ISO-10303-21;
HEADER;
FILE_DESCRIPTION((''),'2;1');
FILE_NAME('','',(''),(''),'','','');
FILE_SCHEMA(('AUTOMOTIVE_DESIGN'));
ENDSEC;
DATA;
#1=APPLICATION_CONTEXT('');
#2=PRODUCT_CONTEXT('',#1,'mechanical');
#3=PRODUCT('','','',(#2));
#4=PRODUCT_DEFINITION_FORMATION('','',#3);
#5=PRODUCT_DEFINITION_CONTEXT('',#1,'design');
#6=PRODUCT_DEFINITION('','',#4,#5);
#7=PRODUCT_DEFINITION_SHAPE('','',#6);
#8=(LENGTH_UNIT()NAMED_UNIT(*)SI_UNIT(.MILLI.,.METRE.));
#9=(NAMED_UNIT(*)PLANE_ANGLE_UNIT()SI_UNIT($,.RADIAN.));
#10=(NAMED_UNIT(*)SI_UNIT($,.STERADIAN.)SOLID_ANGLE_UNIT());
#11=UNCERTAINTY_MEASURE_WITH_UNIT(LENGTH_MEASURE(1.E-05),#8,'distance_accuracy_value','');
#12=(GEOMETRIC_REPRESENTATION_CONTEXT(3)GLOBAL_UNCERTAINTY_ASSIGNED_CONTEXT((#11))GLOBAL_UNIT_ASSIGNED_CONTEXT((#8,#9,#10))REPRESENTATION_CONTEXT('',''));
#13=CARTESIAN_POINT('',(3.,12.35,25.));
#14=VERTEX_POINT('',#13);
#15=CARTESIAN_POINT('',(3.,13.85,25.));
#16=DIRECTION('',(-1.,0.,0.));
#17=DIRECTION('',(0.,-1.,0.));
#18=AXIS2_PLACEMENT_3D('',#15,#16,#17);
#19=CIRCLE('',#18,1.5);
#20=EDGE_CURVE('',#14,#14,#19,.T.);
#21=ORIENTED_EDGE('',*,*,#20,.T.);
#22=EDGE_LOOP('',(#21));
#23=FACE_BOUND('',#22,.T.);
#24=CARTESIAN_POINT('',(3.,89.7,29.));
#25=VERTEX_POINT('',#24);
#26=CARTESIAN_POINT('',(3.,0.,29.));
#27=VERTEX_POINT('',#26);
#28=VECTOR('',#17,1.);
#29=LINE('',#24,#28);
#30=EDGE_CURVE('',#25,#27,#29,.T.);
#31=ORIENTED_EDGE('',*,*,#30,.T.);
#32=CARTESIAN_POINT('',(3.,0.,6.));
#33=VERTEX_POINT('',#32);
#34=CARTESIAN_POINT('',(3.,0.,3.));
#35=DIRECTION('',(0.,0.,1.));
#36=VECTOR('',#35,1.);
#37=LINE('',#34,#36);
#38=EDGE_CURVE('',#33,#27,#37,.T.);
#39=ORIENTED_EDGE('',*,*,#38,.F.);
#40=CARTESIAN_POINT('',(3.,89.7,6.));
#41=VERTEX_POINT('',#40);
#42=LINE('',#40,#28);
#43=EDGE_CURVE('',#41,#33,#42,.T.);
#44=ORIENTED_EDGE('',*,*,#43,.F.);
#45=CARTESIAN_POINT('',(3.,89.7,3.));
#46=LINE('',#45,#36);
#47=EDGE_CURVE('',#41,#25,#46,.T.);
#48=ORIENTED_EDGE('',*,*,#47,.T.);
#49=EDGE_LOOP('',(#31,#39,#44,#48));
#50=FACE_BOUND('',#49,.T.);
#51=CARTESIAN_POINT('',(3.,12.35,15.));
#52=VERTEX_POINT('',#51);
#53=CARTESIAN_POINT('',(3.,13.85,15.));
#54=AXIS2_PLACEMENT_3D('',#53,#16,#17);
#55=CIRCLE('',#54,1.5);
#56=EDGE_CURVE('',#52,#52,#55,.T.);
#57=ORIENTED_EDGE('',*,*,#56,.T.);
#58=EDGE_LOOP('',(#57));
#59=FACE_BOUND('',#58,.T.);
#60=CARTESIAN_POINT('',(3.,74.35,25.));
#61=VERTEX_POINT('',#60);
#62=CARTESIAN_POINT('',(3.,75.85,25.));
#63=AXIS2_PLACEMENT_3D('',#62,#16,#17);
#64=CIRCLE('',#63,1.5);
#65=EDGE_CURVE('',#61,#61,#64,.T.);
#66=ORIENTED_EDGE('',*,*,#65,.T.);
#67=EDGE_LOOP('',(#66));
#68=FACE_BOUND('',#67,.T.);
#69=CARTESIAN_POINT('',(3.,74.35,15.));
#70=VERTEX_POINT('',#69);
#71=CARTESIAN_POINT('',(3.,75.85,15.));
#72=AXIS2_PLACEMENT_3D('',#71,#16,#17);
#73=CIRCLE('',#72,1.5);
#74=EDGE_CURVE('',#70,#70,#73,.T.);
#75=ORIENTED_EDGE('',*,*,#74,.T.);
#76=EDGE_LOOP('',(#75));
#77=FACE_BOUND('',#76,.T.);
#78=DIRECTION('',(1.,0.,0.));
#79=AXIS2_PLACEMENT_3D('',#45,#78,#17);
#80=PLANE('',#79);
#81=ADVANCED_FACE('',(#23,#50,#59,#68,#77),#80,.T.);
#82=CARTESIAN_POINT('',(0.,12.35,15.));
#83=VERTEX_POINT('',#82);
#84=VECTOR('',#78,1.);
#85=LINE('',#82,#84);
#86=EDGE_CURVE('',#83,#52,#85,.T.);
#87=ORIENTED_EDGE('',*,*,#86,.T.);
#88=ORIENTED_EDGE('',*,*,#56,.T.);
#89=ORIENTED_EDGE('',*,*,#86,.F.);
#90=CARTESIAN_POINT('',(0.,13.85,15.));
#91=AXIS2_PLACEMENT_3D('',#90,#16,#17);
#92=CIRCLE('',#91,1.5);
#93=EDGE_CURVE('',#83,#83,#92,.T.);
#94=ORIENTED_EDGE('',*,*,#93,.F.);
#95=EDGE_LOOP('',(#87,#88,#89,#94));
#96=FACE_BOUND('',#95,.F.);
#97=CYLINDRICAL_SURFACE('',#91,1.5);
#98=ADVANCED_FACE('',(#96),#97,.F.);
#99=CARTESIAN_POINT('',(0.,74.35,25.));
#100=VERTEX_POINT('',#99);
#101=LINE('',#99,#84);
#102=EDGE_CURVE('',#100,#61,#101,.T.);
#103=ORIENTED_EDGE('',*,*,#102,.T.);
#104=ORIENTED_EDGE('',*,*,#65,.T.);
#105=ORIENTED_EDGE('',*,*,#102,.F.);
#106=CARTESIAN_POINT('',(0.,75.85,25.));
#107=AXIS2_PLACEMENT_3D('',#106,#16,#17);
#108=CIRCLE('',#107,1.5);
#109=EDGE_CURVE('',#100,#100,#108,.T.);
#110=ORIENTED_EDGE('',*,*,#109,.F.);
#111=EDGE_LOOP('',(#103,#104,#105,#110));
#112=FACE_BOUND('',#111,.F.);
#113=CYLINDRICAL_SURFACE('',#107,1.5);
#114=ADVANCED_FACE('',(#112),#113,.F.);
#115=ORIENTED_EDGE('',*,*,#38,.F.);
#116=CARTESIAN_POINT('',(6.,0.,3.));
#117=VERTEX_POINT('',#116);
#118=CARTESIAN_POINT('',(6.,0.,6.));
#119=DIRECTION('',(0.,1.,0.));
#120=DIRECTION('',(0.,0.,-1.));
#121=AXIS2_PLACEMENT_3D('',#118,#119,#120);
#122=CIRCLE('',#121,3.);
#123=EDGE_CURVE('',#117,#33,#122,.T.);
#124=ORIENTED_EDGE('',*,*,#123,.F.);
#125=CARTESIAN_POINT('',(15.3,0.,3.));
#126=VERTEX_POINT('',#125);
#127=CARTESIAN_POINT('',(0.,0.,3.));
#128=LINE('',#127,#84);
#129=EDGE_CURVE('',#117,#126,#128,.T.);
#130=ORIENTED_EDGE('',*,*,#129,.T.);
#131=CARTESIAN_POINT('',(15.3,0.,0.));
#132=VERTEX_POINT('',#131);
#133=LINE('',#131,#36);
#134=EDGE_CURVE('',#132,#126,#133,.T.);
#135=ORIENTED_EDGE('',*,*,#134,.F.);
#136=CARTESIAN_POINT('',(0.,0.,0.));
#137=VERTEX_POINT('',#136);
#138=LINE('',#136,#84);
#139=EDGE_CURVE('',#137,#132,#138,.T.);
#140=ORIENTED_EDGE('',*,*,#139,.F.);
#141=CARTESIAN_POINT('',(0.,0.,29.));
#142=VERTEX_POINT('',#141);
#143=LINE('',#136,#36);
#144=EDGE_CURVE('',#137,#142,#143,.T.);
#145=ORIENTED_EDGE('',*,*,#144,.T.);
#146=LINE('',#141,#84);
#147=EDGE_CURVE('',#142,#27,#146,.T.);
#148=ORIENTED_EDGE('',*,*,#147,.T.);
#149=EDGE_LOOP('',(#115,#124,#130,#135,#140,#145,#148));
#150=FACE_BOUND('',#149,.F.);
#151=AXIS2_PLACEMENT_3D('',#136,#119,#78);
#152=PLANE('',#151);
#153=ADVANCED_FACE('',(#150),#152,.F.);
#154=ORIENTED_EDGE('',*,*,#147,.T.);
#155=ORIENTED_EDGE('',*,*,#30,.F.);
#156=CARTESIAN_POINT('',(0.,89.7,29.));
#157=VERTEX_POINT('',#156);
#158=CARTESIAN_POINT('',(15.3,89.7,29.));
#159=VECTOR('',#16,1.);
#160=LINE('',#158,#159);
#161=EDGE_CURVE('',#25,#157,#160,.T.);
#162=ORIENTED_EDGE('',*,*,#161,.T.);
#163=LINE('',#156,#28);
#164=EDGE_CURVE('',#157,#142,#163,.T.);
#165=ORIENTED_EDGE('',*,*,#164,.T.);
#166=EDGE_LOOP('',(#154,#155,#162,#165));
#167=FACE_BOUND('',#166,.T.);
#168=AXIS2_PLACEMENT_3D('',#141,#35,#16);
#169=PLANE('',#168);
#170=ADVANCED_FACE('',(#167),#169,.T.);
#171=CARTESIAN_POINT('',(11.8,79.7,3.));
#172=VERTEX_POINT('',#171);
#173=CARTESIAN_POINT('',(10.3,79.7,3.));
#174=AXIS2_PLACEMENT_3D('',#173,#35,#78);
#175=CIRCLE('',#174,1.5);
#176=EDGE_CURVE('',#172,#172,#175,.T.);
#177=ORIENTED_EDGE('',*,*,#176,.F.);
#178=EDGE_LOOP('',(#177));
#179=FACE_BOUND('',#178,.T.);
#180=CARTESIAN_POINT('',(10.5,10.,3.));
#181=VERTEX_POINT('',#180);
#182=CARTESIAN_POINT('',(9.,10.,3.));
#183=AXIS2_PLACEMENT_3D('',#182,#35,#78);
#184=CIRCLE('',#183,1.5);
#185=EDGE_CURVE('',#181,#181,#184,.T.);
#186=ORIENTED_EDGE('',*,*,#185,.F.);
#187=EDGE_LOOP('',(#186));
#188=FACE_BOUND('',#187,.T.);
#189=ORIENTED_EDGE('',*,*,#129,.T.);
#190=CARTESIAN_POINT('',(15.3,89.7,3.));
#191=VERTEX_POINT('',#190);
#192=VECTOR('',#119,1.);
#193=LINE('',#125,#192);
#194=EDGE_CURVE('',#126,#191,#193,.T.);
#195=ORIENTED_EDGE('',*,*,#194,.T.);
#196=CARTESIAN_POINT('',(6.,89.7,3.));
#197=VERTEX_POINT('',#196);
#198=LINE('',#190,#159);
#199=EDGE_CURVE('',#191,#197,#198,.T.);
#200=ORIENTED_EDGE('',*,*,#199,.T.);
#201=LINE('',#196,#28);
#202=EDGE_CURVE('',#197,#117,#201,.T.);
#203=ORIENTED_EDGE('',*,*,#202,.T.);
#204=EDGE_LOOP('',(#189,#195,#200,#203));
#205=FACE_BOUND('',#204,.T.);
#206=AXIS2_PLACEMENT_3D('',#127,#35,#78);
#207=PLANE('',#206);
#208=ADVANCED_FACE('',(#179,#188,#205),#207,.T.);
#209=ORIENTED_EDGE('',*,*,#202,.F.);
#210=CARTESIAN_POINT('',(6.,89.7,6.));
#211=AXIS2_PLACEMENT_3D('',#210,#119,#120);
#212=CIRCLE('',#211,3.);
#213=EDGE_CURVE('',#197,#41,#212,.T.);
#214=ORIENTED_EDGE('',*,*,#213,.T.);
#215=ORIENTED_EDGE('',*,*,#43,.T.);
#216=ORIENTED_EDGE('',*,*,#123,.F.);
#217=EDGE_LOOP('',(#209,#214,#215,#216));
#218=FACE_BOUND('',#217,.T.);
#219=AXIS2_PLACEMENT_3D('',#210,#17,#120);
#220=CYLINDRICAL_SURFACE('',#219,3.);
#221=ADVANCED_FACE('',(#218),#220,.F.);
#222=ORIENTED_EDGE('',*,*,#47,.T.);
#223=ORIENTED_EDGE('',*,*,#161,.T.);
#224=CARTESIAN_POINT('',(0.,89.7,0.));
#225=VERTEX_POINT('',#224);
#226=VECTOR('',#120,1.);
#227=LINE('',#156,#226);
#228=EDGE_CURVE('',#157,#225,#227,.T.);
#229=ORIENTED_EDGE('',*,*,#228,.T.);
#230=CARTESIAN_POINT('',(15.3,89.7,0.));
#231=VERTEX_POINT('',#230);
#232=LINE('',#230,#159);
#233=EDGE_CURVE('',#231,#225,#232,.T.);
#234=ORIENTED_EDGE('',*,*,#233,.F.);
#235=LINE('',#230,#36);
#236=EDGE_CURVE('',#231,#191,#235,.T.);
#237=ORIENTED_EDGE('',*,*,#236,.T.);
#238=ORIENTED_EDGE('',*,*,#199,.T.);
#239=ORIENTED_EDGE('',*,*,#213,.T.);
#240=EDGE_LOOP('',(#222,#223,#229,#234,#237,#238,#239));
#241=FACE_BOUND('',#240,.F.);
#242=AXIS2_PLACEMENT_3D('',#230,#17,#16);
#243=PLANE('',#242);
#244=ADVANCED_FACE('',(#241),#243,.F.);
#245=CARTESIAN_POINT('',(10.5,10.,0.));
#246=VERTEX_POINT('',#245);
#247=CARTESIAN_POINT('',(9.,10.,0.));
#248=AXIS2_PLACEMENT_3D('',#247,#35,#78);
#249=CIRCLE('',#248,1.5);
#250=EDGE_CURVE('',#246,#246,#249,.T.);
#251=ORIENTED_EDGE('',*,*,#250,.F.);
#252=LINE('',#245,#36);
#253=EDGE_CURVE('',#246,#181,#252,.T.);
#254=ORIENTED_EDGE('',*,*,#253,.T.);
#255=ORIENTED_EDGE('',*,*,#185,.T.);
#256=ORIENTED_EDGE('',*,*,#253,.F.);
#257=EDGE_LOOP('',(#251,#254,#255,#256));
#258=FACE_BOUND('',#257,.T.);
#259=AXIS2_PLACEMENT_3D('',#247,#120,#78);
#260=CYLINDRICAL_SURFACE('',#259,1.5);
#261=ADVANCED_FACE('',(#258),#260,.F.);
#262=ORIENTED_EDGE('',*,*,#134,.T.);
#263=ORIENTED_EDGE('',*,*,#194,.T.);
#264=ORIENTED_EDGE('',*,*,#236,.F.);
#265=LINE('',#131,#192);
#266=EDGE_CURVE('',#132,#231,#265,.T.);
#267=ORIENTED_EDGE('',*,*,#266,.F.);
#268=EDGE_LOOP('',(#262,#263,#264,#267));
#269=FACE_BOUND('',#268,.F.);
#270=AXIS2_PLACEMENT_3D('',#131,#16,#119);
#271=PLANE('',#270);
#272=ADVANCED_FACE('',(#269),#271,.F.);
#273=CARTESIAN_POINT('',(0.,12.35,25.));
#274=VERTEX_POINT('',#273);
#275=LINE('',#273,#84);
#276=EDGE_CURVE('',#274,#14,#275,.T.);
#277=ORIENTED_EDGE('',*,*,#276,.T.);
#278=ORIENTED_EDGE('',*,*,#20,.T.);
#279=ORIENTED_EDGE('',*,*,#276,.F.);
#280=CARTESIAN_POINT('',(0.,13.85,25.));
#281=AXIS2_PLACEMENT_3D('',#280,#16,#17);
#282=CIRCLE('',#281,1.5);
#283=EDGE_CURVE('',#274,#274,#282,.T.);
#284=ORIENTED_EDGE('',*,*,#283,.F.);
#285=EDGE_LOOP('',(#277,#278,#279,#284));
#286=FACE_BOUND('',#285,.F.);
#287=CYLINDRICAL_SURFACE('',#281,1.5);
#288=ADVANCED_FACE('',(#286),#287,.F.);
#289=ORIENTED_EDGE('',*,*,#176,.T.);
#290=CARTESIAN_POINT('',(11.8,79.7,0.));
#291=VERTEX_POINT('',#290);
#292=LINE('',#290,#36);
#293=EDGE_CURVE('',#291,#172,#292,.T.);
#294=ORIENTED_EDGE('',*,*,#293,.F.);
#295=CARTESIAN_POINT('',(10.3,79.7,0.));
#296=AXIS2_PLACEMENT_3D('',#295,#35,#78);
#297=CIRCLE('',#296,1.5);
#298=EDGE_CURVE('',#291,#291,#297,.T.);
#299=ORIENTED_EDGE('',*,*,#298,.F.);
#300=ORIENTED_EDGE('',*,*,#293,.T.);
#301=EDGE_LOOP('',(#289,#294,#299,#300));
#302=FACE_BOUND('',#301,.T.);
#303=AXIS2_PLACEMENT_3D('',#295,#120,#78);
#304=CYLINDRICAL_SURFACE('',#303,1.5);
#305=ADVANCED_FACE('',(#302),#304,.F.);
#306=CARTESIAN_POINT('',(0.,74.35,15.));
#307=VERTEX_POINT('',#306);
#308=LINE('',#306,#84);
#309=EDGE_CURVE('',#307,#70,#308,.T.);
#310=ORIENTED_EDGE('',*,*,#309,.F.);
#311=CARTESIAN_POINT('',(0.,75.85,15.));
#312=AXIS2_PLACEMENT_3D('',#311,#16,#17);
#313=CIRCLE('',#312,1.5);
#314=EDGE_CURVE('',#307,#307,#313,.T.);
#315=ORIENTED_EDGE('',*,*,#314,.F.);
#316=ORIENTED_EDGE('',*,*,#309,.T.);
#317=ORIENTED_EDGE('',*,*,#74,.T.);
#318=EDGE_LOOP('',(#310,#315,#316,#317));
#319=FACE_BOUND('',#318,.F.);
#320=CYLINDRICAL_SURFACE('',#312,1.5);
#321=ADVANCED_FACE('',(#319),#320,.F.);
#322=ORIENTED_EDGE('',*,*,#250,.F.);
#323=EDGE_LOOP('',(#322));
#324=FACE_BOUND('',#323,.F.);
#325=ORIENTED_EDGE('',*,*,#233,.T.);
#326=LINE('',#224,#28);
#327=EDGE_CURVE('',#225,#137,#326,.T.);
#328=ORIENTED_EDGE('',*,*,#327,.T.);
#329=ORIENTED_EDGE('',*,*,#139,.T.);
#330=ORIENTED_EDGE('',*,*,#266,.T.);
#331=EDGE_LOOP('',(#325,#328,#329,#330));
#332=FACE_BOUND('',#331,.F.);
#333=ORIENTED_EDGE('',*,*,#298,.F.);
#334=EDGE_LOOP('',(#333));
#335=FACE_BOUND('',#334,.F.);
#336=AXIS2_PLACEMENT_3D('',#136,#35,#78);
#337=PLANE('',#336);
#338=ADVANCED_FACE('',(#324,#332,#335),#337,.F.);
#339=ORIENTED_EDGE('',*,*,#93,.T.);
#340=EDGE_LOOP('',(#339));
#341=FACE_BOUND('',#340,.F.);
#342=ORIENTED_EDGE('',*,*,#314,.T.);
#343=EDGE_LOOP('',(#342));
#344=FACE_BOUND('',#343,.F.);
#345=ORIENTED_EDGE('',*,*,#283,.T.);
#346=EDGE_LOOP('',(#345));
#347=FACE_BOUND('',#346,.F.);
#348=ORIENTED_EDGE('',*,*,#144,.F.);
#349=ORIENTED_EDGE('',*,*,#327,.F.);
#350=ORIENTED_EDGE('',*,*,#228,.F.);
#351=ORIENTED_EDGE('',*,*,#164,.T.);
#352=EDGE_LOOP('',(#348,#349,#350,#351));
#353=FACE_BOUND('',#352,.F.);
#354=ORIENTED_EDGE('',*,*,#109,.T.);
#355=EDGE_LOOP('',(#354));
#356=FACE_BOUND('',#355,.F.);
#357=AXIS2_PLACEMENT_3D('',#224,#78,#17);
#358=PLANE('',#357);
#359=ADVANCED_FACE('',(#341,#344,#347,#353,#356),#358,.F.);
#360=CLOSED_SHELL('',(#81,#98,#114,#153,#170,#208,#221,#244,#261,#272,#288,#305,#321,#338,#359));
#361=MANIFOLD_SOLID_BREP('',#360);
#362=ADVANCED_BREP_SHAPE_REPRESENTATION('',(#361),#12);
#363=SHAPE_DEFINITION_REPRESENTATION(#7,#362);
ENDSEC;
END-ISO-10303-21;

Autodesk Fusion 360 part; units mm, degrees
sketch "Sketch1" plane through (0, 0, 0) normal (0, 0, 1) x (1, 0, 0)
  line L0 (0, 0) -> (15.3, 0)
  line L1 (15.3, 0) -> (15.3, 89.7)
  line L2 (15.3, 89.7) -> (0, 89.7)
  line L3 (0, 89.7) -> (0, 0)
  circle A0 centre (9, 10) radius 1.5
  circle A1 centre (10.3, 79.7) radius 1.5
  dimension "d1" = 3
  dimension "d2" = 3
  dimension "d3" = 69.7
  dimension "d4" = 1.3
  dimension "d5" = 10
  dimension "d6" = 10
  dimension "d7" = 9
  dimension "d8" = 5
extrude "Extrude1" add sketch "Sketch1" along normal blind 3
sketch "Sketch2" plane through (0, 0, 3) normal (0, 0, 1) x (-1, 0, 0)
  circle A0 centre (-10.3, -79.7) radius 1.5
  circle A1 centre (-9, -10) radius 1.5
  line L0 (0, -89.7) -> (0, 0)
  line L1 (0, 0) -> (-15.3, 0)
  line L2 (-15.3, 0) -> (-15.3, -89.7)
  line L3 (-15.3, -89.7) -> (0, -89.7)
  line L4 (0, -89.7) -> (-3, -89.7)
  line L5 (-3, -89.7) -> (-3, 0)
  line L6 (-3, 0) -> (0, 0)
  line L7 (0, 0) -> (0, -89.7)
  dimension "d11" = 3
extrude "Extrude2" add sketch "Sketch2" along normal blind 26 contours L0 L1 L3 L4 L5 L6 L7
sketch "Sketch3" plane through (0, 0, 0) normal (-1, 0, 0) x (0, -1, 0)
  line L0 (-89.7, 0) -> (0, 0)
  line L1 (0, 0) -> (0, 29)
  line L2 (0, 29) -> (-89.7, 29)
  line L3 (-89.7, 29) -> (-89.7, 0)
  line L4 (-75.85, 25) -> (-13.85, 25) construction
  line L5 (-13.85, 25) -> (-13.85, 15) construction
  line L6 (-13.85, 15) -> (-75.85, 15) construction
  line L7 (-75.85, 15) -> (-75.85, 25) construction
  line L8 (-44.85, 29) -> (-44.85, 0) construction
  line L9 (-75.85, 20) -> (-13.85, 20) construction
  line L10 (-44.85, 25) -> (-44.85, 15) construction
  circle A0 centre (-75.85, 25) radius 1.5
  circle A1 centre (-13.85, 25) radius 1.5
  circle A2 centre (-13.85, 15) radius 1.5
  circle A3 centre (-75.85, 15) radius 1.5
  dimension "d14" = 62
  dimension "d15" = 10
  dimension "d16" = 4
  dimension "d17" = 3
  dimension "d18" = 3
  dimension "d19" = 3
  dimension "d20" = 3
extrude "Extrude3" cut sketch "Sketch3" against normal blind 20 contours A0 | A1 | A2 | A3
fillet "Fillet1" radius 3 1 edges at (3, 44.85, 3)
